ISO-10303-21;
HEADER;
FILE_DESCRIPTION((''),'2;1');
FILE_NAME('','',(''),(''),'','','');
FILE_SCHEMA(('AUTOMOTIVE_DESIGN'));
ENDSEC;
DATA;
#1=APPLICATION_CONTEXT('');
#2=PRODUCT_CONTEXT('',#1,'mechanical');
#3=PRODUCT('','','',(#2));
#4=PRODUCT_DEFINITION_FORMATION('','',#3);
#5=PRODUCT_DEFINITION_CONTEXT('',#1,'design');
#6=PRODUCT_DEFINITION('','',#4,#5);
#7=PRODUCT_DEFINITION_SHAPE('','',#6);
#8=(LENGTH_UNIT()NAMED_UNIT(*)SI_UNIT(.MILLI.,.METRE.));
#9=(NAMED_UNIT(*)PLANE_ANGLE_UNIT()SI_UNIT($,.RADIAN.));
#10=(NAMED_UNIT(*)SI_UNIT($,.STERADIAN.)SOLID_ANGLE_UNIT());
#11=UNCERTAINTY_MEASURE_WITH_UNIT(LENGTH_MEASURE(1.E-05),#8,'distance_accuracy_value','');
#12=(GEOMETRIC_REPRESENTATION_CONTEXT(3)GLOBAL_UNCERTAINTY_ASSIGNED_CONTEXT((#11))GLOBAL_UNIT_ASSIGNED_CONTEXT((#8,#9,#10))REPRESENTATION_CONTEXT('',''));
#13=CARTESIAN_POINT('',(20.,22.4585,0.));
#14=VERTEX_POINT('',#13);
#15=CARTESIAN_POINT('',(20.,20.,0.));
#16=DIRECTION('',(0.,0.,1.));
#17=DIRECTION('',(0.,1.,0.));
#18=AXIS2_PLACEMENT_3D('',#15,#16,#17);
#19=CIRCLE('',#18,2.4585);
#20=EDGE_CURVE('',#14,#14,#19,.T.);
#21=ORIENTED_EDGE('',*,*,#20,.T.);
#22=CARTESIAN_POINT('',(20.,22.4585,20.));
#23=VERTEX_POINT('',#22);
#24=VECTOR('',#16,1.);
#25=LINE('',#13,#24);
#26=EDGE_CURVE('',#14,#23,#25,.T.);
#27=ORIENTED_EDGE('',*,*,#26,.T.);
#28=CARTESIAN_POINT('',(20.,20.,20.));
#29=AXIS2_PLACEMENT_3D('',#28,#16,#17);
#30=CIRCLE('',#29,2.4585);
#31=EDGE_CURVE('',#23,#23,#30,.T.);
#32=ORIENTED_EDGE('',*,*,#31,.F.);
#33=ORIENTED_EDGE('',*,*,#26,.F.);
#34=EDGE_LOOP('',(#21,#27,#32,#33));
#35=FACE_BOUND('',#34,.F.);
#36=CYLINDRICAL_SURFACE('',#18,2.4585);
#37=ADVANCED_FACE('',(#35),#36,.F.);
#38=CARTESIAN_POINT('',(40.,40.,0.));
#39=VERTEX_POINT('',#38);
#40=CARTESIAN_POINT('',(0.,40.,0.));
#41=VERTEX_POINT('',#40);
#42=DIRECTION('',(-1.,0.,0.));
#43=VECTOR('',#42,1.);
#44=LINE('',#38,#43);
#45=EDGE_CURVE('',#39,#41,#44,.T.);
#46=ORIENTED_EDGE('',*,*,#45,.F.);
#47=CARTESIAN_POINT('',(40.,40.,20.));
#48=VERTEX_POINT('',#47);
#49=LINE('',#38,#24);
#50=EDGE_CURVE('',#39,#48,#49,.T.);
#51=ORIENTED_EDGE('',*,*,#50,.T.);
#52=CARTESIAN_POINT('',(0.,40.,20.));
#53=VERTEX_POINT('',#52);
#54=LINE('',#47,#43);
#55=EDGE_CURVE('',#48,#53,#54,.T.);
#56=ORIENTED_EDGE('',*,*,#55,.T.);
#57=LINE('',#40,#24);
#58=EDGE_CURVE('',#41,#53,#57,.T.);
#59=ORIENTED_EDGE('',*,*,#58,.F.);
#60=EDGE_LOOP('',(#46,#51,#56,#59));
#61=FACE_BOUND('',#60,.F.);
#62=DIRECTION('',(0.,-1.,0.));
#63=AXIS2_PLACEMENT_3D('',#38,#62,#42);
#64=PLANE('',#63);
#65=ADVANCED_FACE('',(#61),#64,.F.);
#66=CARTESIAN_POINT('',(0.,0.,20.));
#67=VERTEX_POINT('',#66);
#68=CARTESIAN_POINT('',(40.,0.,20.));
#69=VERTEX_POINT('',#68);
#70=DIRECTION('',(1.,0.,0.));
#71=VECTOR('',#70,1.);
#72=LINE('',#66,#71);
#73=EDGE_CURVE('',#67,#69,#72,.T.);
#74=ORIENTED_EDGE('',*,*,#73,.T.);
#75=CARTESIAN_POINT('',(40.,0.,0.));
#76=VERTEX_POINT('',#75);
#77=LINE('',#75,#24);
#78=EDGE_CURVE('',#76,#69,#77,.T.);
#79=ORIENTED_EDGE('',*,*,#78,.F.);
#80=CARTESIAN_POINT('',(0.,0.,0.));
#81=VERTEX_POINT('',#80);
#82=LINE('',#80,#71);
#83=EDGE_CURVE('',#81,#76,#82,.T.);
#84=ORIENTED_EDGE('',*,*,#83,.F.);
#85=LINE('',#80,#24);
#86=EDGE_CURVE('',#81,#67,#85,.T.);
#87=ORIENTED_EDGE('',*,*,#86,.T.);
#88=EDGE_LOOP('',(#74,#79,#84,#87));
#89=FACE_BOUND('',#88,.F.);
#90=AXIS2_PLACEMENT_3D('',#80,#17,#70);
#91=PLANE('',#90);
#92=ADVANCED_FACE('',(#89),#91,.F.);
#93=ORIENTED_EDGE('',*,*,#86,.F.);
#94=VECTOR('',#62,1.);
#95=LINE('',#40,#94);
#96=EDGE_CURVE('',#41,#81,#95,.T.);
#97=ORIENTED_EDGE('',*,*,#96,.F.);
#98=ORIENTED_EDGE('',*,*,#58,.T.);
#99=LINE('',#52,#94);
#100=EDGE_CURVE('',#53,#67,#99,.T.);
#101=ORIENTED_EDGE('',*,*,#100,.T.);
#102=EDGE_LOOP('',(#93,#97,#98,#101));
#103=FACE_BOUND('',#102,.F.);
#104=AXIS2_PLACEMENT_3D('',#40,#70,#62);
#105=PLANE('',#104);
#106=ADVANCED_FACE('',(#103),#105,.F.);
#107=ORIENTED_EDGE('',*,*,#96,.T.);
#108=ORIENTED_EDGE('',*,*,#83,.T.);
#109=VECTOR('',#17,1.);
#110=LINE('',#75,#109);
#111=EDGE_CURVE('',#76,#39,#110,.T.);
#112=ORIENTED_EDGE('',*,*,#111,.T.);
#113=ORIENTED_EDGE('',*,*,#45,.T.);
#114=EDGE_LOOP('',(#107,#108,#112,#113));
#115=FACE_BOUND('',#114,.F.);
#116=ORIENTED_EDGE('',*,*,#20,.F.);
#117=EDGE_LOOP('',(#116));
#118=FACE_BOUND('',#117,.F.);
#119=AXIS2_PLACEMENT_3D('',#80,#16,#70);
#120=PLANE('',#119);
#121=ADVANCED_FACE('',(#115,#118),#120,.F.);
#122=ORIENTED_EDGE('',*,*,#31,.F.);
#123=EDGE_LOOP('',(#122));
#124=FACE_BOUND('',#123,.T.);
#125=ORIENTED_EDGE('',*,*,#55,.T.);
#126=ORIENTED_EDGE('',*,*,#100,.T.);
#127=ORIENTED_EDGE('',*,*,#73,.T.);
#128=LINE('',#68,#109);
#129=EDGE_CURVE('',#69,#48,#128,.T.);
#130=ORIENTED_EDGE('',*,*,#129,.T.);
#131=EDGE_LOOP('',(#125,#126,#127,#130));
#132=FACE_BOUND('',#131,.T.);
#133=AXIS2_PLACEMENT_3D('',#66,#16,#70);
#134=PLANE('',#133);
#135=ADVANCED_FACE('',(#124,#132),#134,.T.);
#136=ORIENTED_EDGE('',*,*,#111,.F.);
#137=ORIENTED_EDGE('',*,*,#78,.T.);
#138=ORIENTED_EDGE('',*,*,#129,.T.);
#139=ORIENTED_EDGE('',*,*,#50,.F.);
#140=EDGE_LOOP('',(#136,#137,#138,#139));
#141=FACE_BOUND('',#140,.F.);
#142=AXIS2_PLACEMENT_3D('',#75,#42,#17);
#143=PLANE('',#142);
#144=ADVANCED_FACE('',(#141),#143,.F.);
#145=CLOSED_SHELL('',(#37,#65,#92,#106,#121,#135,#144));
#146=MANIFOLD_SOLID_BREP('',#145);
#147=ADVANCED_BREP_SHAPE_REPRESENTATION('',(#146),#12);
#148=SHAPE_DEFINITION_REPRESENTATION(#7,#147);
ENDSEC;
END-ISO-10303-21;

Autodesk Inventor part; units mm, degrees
ref_plane "YZ Plane" through (0, 0, 0) normal (1, 0, 0) x (0, 1, 0)
ref_plane "XZ Plane" through (0, 0, 0) normal (0, 1, 0) x (-1, 0, 0)
ref_plane "XY Plane" through (0, 0, 0) normal (0, 0, 1) x (1, 0, 0)
sketch "Sketch1" plane through (0, 0, 0) normal (0, 0, 1) x (1, 0, 0)
  line L0 (0, 0) -> (40, 0)
  line L1 (40, 0) -> (40, 40)
  line L2 (40, 40) -> (0, 40)
  line L3 (0, 40) -> (0, 0)
extrude "Extrusion1" add sketch "Sketch1" along normal blind 20
sketch "Sketch2" plane through (0, 0, 0) normal (0, 0, 1) x (1, 0, 0)
  point P0 (20, 20)
hole "Hole1" at (20, 20, 0) direction (0, 0, 1) diameter 4.917 end through all thread size "M6x1" class "6H" standard "ANSI Metric M Profile"
properties part number "27_hole_tapped"
